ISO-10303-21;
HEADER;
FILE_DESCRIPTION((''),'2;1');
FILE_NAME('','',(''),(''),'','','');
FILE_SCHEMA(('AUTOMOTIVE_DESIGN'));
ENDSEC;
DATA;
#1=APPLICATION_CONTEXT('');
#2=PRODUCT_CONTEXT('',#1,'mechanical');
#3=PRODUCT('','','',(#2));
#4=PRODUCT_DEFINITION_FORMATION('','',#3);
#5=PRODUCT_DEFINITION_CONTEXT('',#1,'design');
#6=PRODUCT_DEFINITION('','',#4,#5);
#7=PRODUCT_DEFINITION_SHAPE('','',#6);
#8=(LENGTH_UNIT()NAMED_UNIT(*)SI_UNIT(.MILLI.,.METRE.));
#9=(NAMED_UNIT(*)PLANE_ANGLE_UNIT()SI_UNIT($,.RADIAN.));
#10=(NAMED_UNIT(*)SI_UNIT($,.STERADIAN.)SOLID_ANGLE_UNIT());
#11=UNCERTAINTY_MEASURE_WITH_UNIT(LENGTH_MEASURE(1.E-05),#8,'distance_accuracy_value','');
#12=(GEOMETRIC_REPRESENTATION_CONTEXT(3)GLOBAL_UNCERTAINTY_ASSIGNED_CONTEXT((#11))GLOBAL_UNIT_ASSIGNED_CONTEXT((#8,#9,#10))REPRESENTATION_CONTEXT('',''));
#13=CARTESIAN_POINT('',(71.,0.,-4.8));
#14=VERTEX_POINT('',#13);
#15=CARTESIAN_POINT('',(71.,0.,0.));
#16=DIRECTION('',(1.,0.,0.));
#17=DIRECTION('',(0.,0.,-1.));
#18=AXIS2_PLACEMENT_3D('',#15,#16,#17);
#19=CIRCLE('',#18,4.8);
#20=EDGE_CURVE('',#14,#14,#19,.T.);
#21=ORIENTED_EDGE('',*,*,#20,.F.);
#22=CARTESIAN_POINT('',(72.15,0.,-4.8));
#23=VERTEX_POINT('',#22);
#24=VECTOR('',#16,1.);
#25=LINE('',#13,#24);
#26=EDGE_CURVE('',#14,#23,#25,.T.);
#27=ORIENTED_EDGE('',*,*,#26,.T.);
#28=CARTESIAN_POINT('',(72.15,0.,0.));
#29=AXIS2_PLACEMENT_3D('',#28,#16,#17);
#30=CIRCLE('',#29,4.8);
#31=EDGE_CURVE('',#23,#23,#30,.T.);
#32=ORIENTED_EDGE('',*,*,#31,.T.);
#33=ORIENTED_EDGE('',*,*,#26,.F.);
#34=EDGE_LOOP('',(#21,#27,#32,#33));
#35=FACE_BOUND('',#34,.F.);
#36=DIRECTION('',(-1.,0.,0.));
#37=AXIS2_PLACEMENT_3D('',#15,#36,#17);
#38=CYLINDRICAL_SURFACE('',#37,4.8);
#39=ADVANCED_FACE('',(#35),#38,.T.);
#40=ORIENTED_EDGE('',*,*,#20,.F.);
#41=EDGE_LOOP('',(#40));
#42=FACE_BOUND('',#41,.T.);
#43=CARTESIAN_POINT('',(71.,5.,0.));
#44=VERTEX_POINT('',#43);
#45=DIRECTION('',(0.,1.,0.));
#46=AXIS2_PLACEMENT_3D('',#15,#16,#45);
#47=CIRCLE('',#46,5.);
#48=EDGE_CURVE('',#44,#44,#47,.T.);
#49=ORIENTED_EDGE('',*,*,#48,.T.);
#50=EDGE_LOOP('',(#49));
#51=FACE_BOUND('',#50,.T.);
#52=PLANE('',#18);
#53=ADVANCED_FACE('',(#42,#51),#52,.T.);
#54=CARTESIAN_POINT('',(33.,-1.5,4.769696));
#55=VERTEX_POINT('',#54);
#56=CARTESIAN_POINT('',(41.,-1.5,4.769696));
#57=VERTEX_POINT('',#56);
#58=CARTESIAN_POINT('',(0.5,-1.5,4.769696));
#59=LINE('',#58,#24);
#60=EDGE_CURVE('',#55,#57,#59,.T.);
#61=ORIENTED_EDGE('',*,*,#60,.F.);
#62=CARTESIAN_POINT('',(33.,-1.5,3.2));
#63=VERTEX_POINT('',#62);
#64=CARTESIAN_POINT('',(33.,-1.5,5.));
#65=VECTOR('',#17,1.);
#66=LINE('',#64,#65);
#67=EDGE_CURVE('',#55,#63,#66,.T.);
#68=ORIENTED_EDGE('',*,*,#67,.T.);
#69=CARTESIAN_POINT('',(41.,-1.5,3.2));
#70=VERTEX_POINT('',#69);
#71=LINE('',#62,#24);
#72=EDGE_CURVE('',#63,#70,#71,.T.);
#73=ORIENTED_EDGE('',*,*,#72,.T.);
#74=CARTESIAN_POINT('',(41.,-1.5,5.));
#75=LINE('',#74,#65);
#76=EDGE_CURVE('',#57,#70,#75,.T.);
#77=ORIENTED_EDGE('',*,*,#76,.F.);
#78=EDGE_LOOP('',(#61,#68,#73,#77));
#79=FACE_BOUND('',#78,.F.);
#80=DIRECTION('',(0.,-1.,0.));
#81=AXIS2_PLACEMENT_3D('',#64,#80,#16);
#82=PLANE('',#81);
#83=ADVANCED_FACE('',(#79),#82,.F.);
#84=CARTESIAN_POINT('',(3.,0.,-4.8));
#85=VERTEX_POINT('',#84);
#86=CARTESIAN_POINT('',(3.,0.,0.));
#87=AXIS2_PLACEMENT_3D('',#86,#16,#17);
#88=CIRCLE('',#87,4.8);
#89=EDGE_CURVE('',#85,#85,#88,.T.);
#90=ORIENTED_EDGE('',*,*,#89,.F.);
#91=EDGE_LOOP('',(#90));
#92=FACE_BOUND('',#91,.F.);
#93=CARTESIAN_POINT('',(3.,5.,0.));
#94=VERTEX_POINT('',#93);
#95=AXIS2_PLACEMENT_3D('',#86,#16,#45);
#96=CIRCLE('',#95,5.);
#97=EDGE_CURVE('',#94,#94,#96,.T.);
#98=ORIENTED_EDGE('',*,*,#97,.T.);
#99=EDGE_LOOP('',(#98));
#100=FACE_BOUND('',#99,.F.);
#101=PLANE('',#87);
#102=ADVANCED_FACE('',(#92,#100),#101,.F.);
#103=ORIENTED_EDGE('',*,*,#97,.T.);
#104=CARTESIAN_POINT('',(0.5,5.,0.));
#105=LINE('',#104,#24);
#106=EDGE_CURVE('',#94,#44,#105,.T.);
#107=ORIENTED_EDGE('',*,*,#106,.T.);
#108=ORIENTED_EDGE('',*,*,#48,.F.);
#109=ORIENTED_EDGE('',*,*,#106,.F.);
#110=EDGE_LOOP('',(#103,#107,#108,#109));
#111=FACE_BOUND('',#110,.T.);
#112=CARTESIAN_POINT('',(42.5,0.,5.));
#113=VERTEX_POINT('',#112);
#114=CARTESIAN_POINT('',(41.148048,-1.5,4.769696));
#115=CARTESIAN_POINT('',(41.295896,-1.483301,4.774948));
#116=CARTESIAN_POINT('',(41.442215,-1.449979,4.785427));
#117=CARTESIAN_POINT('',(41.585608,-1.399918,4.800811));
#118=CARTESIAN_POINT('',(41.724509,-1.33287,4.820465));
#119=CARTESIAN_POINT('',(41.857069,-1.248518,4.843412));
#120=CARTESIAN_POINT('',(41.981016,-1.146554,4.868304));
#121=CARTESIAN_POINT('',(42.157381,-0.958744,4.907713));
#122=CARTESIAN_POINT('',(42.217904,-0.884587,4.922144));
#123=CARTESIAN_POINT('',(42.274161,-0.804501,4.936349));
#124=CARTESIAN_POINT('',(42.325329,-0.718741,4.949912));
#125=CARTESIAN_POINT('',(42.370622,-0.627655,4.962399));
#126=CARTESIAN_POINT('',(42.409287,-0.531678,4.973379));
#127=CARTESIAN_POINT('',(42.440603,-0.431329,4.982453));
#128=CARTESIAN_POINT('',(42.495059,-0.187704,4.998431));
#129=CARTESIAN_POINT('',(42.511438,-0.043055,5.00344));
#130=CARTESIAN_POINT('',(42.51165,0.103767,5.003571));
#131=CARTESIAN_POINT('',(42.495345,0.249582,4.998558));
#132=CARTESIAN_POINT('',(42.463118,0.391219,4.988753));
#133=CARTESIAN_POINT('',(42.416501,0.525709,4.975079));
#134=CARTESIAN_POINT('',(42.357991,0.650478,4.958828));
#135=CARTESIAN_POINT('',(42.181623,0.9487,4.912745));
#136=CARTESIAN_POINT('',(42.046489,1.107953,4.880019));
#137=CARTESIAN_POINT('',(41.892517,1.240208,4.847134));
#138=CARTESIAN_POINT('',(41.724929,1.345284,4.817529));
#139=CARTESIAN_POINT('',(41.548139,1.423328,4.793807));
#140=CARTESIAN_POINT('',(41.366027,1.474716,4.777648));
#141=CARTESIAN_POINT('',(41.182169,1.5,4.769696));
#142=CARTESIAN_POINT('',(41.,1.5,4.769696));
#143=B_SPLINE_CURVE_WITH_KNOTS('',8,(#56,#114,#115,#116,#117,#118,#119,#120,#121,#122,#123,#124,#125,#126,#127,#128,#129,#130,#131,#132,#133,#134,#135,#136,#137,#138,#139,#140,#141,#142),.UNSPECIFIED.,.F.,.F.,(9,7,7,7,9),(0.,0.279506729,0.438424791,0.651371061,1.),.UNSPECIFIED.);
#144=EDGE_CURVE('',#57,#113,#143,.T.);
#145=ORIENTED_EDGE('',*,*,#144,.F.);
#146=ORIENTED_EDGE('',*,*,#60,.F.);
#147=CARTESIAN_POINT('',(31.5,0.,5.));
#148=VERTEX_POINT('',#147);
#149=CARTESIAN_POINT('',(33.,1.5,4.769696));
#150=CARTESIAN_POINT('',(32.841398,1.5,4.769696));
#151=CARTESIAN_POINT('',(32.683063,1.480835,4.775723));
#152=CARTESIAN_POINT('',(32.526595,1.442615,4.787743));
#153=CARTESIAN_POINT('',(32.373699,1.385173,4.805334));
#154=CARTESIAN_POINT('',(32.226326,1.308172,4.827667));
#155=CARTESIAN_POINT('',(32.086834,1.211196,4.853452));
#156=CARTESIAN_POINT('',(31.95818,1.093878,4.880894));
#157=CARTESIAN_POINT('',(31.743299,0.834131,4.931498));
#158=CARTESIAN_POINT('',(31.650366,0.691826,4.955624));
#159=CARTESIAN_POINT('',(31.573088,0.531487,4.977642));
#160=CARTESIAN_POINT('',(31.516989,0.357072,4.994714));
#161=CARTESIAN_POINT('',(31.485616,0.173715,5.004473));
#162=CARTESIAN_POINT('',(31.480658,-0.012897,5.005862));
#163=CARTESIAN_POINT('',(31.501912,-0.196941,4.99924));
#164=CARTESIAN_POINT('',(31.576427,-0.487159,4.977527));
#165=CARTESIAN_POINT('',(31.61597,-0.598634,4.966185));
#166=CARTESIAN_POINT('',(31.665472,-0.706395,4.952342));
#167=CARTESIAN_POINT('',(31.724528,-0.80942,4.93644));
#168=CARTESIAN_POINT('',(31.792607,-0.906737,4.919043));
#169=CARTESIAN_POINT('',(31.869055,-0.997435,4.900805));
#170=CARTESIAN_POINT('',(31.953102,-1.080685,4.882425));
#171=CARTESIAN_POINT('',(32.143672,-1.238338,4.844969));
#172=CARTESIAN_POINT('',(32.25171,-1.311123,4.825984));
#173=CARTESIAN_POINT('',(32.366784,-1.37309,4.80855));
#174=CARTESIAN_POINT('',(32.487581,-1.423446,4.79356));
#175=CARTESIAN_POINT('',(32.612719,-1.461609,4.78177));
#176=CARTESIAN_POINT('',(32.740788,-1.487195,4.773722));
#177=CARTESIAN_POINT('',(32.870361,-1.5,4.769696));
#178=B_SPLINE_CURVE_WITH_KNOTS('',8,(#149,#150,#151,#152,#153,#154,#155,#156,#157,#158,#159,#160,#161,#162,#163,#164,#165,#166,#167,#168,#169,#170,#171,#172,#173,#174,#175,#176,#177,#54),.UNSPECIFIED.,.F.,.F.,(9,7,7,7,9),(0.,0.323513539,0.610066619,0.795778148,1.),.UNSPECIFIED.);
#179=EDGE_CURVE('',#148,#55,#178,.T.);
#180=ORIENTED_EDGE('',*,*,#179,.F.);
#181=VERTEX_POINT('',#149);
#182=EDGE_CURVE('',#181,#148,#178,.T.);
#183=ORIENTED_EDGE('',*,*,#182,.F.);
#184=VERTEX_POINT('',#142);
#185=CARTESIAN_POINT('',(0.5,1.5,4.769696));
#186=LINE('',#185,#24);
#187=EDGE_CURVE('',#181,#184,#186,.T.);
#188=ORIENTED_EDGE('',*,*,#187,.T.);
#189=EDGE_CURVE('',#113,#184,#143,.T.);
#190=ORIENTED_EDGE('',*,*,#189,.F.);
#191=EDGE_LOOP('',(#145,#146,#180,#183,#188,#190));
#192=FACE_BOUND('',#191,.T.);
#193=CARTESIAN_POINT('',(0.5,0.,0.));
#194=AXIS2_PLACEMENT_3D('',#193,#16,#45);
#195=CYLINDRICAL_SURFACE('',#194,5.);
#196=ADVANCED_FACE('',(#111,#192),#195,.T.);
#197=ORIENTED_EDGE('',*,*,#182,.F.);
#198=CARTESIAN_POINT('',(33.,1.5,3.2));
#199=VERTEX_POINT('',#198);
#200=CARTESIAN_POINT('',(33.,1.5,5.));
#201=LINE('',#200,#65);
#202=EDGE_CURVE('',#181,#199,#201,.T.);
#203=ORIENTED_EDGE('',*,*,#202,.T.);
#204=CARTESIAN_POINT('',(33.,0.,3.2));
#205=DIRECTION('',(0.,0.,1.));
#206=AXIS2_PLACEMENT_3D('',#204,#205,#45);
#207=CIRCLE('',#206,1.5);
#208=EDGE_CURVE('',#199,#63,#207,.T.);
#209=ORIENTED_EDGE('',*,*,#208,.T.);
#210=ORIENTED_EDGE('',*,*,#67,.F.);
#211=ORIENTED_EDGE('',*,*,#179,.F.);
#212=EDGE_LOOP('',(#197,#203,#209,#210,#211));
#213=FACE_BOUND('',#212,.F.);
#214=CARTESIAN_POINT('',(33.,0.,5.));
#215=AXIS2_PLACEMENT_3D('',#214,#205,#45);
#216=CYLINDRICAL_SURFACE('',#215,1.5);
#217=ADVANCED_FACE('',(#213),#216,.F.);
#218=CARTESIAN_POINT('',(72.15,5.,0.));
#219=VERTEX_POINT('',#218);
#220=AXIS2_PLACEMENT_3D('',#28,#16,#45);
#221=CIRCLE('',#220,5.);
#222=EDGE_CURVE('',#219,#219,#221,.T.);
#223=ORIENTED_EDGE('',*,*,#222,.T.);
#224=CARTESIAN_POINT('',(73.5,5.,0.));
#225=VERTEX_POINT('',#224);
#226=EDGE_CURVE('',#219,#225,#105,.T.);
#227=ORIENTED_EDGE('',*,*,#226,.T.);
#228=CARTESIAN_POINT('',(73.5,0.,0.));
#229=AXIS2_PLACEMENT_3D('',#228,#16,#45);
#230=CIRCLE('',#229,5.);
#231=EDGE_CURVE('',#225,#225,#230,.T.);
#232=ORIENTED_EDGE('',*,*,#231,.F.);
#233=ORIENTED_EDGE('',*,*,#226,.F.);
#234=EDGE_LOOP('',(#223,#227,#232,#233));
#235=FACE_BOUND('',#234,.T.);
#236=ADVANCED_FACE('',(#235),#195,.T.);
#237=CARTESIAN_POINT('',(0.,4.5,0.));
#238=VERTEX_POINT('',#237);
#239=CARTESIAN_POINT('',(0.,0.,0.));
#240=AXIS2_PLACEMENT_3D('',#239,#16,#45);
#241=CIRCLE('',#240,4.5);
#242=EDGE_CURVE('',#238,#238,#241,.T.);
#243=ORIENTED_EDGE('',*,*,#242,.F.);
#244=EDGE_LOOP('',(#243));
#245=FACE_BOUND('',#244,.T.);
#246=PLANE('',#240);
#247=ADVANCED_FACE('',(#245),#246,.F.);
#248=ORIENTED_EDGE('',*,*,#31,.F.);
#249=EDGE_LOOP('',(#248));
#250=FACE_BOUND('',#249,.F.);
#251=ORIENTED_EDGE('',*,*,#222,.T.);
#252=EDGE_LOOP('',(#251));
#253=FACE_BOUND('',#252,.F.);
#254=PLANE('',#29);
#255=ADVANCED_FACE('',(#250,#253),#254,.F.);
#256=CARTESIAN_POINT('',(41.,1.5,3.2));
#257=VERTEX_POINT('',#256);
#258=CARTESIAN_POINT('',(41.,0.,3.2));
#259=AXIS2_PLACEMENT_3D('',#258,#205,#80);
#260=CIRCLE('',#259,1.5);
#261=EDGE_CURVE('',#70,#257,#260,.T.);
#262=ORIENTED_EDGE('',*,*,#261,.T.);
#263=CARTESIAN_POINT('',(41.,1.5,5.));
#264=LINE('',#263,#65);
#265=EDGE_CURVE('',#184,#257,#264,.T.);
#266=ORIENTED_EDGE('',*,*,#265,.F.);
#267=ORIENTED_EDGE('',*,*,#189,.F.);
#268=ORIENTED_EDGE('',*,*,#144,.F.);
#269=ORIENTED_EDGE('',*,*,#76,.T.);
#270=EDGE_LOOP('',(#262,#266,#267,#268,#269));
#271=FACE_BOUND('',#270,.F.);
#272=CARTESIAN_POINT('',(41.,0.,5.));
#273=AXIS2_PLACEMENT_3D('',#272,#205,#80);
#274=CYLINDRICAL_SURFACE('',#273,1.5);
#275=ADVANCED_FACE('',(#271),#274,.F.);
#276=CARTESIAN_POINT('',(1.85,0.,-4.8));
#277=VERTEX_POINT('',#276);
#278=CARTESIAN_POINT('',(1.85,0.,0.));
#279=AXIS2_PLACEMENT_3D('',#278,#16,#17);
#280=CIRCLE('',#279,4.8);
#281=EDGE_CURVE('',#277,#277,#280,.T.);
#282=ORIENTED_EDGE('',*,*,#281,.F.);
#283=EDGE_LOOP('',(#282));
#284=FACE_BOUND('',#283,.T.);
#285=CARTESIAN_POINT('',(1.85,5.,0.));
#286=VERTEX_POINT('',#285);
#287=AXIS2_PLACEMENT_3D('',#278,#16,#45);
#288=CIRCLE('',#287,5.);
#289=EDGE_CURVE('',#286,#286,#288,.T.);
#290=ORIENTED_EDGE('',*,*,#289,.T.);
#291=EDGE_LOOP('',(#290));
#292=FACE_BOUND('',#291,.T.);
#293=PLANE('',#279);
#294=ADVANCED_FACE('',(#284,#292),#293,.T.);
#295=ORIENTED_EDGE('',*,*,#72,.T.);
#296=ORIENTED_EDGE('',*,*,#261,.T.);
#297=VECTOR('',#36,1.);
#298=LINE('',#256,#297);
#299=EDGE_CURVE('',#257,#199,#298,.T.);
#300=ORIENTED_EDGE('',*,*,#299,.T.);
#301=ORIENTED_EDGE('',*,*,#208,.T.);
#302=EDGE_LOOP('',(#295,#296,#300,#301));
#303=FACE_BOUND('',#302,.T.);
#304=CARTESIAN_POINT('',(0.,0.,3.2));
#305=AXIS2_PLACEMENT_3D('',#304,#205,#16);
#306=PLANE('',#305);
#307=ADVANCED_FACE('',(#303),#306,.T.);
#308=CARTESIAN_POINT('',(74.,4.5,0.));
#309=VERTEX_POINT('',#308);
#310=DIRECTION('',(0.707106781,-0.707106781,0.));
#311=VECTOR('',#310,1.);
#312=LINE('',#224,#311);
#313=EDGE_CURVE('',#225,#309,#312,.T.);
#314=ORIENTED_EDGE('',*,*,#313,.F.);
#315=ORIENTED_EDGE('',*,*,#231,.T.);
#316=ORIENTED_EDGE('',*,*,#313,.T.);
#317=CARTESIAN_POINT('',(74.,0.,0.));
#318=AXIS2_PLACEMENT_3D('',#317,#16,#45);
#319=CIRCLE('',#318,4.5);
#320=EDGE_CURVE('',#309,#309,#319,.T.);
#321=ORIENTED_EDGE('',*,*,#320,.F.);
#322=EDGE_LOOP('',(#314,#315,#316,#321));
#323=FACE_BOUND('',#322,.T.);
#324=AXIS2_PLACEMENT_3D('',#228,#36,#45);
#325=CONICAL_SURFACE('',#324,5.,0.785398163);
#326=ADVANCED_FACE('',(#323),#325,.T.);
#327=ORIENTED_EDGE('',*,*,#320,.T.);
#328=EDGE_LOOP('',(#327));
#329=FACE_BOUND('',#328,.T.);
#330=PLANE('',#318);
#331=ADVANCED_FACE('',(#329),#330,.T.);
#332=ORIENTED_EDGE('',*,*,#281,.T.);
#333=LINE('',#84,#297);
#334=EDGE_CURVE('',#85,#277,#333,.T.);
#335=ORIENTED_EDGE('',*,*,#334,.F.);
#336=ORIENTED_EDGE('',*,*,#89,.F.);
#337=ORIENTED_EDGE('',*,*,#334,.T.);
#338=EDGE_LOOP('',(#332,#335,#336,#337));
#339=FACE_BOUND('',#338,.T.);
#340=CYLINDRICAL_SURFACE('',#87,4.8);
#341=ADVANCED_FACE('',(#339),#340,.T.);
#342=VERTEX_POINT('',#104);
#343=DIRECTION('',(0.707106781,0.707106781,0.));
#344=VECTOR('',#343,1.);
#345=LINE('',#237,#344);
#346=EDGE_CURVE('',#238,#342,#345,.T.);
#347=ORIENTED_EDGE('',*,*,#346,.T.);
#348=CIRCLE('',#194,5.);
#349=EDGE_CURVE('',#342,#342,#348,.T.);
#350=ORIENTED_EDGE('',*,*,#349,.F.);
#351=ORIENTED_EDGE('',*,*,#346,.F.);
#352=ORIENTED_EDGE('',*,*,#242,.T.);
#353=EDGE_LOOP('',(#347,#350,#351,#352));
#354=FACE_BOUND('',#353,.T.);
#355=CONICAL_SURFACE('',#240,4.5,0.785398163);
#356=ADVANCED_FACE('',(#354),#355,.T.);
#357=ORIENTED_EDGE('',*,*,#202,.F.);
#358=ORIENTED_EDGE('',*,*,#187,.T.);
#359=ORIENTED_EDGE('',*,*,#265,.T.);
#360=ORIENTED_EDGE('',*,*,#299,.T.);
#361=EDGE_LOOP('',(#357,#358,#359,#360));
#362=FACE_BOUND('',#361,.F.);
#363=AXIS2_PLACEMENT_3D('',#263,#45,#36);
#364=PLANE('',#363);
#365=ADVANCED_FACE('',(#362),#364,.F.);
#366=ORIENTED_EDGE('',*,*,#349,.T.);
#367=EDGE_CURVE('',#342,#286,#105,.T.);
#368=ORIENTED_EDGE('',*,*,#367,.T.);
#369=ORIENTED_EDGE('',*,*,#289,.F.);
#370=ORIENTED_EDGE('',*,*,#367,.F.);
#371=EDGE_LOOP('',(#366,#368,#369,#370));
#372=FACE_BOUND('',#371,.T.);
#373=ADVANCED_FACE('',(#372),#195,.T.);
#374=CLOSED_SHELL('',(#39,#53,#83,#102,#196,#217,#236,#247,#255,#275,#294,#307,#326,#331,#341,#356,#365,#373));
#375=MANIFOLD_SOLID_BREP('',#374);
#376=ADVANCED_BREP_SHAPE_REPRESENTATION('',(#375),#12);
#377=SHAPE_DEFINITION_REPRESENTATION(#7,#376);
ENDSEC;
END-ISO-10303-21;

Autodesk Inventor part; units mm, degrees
sketch "Sketch_1" plane through (0, 0, 0) normal (0, 0, 1) x (1, 0, 0)
  line L0 (74, 0) -> (0, 0)
  line L1 (0, 0) -> (0, 4.5)
  line L2 (0, 4.5) -> (0.5, 5)
  line L3 (0.5, 5) -> (73.5, 5)
  line L4 (73.5, 5) -> (74, 4.5)
  line L5 (74, 4.5) -> (74, 0)
  line L6 (74, 0) -> (0, 0)
revolve "Revolution1" add sketch "Sketch_1" angle 360 about axis through (74, 0, 0) along (1, 0, 0)
sketch "_____10" plane through (0, 0, 5) normal (0, 0, 1) x (1, 0, 0)
  arc A0 (33, 1.5) -> (33, -1.5) centre (33, 0) ccw
  line L0 (33, -1.5) -> (41, -1.5)
  arc A1 (41, -1.5) -> (41, 1.5) centre (41, 0) ccw
  line L1 (41, 1.5) -> (33, 1.5)
extrude "Extrusion1" cut sketch "_____10" against normal blind 1.8
sketch "_____5" plane through (3, 0, 0) normal (1, 0, 0) x (0, 0, -1)
  circle A0 centre (0, 0) radius 10
  circle A1 centre (0, 0) radius 4.8
extrude "Extrusion2" cut sketch "_____5" against normal blind 1.15
sketch "_____6" plane through (71, 0, 0) normal (1, 0, 0) x (0, 0, -1)
  circle A0 centre (0, 0) radius 10
  circle A1 centre (0, 0) radius 4.8
extrude "Extrusion3" cut sketch "_____6" along normal blind 1.15
ref_plane "COMBINATION_MODULE_XY" through (0, 0, 0) normal (1, 0, 0) x (0, 0, -1)
ref_plane "COMBINATION_MODULE_YZ" through (0, 0, 0) normal (0, 0, -1) x (0, 1, 0)
ref_plane "COMBINATION_MODULE_ZX" through (0, 0, 0) normal (0, 1, 0) x (1, 0, 0)
ref_plane "to_ring_b_XY" through (2.425, 0, 0) normal (1, 0, 0) x (0, 0, -1)
ref_plane "to_ring_b_YZ" through (2.425, 0, 0) normal (0, 0, -1) x (0, 1, 0)
ref_plane "to_ring_b_ZX" through (2.425, 0, 0) normal (0, 1, 0) x (1, 0, 0)
ref_plane "to_ring_s_XY" through (71.575, 0, 0) normal (1, 0, 0) x (0, 0, -1)
ref_plane "to_ring_s_YZ" through (71.575, 0, 0) normal (0, 0, -1) x (0, 1, 0)
ref_plane "to_ring_s_ZX" through (71.575, 0, 0) normal (0, 1, 0) x (1, 0, 0)
properties part number "NSFMRRA10-74-B3-S3-KC31.5-A11(000_000)_s"
